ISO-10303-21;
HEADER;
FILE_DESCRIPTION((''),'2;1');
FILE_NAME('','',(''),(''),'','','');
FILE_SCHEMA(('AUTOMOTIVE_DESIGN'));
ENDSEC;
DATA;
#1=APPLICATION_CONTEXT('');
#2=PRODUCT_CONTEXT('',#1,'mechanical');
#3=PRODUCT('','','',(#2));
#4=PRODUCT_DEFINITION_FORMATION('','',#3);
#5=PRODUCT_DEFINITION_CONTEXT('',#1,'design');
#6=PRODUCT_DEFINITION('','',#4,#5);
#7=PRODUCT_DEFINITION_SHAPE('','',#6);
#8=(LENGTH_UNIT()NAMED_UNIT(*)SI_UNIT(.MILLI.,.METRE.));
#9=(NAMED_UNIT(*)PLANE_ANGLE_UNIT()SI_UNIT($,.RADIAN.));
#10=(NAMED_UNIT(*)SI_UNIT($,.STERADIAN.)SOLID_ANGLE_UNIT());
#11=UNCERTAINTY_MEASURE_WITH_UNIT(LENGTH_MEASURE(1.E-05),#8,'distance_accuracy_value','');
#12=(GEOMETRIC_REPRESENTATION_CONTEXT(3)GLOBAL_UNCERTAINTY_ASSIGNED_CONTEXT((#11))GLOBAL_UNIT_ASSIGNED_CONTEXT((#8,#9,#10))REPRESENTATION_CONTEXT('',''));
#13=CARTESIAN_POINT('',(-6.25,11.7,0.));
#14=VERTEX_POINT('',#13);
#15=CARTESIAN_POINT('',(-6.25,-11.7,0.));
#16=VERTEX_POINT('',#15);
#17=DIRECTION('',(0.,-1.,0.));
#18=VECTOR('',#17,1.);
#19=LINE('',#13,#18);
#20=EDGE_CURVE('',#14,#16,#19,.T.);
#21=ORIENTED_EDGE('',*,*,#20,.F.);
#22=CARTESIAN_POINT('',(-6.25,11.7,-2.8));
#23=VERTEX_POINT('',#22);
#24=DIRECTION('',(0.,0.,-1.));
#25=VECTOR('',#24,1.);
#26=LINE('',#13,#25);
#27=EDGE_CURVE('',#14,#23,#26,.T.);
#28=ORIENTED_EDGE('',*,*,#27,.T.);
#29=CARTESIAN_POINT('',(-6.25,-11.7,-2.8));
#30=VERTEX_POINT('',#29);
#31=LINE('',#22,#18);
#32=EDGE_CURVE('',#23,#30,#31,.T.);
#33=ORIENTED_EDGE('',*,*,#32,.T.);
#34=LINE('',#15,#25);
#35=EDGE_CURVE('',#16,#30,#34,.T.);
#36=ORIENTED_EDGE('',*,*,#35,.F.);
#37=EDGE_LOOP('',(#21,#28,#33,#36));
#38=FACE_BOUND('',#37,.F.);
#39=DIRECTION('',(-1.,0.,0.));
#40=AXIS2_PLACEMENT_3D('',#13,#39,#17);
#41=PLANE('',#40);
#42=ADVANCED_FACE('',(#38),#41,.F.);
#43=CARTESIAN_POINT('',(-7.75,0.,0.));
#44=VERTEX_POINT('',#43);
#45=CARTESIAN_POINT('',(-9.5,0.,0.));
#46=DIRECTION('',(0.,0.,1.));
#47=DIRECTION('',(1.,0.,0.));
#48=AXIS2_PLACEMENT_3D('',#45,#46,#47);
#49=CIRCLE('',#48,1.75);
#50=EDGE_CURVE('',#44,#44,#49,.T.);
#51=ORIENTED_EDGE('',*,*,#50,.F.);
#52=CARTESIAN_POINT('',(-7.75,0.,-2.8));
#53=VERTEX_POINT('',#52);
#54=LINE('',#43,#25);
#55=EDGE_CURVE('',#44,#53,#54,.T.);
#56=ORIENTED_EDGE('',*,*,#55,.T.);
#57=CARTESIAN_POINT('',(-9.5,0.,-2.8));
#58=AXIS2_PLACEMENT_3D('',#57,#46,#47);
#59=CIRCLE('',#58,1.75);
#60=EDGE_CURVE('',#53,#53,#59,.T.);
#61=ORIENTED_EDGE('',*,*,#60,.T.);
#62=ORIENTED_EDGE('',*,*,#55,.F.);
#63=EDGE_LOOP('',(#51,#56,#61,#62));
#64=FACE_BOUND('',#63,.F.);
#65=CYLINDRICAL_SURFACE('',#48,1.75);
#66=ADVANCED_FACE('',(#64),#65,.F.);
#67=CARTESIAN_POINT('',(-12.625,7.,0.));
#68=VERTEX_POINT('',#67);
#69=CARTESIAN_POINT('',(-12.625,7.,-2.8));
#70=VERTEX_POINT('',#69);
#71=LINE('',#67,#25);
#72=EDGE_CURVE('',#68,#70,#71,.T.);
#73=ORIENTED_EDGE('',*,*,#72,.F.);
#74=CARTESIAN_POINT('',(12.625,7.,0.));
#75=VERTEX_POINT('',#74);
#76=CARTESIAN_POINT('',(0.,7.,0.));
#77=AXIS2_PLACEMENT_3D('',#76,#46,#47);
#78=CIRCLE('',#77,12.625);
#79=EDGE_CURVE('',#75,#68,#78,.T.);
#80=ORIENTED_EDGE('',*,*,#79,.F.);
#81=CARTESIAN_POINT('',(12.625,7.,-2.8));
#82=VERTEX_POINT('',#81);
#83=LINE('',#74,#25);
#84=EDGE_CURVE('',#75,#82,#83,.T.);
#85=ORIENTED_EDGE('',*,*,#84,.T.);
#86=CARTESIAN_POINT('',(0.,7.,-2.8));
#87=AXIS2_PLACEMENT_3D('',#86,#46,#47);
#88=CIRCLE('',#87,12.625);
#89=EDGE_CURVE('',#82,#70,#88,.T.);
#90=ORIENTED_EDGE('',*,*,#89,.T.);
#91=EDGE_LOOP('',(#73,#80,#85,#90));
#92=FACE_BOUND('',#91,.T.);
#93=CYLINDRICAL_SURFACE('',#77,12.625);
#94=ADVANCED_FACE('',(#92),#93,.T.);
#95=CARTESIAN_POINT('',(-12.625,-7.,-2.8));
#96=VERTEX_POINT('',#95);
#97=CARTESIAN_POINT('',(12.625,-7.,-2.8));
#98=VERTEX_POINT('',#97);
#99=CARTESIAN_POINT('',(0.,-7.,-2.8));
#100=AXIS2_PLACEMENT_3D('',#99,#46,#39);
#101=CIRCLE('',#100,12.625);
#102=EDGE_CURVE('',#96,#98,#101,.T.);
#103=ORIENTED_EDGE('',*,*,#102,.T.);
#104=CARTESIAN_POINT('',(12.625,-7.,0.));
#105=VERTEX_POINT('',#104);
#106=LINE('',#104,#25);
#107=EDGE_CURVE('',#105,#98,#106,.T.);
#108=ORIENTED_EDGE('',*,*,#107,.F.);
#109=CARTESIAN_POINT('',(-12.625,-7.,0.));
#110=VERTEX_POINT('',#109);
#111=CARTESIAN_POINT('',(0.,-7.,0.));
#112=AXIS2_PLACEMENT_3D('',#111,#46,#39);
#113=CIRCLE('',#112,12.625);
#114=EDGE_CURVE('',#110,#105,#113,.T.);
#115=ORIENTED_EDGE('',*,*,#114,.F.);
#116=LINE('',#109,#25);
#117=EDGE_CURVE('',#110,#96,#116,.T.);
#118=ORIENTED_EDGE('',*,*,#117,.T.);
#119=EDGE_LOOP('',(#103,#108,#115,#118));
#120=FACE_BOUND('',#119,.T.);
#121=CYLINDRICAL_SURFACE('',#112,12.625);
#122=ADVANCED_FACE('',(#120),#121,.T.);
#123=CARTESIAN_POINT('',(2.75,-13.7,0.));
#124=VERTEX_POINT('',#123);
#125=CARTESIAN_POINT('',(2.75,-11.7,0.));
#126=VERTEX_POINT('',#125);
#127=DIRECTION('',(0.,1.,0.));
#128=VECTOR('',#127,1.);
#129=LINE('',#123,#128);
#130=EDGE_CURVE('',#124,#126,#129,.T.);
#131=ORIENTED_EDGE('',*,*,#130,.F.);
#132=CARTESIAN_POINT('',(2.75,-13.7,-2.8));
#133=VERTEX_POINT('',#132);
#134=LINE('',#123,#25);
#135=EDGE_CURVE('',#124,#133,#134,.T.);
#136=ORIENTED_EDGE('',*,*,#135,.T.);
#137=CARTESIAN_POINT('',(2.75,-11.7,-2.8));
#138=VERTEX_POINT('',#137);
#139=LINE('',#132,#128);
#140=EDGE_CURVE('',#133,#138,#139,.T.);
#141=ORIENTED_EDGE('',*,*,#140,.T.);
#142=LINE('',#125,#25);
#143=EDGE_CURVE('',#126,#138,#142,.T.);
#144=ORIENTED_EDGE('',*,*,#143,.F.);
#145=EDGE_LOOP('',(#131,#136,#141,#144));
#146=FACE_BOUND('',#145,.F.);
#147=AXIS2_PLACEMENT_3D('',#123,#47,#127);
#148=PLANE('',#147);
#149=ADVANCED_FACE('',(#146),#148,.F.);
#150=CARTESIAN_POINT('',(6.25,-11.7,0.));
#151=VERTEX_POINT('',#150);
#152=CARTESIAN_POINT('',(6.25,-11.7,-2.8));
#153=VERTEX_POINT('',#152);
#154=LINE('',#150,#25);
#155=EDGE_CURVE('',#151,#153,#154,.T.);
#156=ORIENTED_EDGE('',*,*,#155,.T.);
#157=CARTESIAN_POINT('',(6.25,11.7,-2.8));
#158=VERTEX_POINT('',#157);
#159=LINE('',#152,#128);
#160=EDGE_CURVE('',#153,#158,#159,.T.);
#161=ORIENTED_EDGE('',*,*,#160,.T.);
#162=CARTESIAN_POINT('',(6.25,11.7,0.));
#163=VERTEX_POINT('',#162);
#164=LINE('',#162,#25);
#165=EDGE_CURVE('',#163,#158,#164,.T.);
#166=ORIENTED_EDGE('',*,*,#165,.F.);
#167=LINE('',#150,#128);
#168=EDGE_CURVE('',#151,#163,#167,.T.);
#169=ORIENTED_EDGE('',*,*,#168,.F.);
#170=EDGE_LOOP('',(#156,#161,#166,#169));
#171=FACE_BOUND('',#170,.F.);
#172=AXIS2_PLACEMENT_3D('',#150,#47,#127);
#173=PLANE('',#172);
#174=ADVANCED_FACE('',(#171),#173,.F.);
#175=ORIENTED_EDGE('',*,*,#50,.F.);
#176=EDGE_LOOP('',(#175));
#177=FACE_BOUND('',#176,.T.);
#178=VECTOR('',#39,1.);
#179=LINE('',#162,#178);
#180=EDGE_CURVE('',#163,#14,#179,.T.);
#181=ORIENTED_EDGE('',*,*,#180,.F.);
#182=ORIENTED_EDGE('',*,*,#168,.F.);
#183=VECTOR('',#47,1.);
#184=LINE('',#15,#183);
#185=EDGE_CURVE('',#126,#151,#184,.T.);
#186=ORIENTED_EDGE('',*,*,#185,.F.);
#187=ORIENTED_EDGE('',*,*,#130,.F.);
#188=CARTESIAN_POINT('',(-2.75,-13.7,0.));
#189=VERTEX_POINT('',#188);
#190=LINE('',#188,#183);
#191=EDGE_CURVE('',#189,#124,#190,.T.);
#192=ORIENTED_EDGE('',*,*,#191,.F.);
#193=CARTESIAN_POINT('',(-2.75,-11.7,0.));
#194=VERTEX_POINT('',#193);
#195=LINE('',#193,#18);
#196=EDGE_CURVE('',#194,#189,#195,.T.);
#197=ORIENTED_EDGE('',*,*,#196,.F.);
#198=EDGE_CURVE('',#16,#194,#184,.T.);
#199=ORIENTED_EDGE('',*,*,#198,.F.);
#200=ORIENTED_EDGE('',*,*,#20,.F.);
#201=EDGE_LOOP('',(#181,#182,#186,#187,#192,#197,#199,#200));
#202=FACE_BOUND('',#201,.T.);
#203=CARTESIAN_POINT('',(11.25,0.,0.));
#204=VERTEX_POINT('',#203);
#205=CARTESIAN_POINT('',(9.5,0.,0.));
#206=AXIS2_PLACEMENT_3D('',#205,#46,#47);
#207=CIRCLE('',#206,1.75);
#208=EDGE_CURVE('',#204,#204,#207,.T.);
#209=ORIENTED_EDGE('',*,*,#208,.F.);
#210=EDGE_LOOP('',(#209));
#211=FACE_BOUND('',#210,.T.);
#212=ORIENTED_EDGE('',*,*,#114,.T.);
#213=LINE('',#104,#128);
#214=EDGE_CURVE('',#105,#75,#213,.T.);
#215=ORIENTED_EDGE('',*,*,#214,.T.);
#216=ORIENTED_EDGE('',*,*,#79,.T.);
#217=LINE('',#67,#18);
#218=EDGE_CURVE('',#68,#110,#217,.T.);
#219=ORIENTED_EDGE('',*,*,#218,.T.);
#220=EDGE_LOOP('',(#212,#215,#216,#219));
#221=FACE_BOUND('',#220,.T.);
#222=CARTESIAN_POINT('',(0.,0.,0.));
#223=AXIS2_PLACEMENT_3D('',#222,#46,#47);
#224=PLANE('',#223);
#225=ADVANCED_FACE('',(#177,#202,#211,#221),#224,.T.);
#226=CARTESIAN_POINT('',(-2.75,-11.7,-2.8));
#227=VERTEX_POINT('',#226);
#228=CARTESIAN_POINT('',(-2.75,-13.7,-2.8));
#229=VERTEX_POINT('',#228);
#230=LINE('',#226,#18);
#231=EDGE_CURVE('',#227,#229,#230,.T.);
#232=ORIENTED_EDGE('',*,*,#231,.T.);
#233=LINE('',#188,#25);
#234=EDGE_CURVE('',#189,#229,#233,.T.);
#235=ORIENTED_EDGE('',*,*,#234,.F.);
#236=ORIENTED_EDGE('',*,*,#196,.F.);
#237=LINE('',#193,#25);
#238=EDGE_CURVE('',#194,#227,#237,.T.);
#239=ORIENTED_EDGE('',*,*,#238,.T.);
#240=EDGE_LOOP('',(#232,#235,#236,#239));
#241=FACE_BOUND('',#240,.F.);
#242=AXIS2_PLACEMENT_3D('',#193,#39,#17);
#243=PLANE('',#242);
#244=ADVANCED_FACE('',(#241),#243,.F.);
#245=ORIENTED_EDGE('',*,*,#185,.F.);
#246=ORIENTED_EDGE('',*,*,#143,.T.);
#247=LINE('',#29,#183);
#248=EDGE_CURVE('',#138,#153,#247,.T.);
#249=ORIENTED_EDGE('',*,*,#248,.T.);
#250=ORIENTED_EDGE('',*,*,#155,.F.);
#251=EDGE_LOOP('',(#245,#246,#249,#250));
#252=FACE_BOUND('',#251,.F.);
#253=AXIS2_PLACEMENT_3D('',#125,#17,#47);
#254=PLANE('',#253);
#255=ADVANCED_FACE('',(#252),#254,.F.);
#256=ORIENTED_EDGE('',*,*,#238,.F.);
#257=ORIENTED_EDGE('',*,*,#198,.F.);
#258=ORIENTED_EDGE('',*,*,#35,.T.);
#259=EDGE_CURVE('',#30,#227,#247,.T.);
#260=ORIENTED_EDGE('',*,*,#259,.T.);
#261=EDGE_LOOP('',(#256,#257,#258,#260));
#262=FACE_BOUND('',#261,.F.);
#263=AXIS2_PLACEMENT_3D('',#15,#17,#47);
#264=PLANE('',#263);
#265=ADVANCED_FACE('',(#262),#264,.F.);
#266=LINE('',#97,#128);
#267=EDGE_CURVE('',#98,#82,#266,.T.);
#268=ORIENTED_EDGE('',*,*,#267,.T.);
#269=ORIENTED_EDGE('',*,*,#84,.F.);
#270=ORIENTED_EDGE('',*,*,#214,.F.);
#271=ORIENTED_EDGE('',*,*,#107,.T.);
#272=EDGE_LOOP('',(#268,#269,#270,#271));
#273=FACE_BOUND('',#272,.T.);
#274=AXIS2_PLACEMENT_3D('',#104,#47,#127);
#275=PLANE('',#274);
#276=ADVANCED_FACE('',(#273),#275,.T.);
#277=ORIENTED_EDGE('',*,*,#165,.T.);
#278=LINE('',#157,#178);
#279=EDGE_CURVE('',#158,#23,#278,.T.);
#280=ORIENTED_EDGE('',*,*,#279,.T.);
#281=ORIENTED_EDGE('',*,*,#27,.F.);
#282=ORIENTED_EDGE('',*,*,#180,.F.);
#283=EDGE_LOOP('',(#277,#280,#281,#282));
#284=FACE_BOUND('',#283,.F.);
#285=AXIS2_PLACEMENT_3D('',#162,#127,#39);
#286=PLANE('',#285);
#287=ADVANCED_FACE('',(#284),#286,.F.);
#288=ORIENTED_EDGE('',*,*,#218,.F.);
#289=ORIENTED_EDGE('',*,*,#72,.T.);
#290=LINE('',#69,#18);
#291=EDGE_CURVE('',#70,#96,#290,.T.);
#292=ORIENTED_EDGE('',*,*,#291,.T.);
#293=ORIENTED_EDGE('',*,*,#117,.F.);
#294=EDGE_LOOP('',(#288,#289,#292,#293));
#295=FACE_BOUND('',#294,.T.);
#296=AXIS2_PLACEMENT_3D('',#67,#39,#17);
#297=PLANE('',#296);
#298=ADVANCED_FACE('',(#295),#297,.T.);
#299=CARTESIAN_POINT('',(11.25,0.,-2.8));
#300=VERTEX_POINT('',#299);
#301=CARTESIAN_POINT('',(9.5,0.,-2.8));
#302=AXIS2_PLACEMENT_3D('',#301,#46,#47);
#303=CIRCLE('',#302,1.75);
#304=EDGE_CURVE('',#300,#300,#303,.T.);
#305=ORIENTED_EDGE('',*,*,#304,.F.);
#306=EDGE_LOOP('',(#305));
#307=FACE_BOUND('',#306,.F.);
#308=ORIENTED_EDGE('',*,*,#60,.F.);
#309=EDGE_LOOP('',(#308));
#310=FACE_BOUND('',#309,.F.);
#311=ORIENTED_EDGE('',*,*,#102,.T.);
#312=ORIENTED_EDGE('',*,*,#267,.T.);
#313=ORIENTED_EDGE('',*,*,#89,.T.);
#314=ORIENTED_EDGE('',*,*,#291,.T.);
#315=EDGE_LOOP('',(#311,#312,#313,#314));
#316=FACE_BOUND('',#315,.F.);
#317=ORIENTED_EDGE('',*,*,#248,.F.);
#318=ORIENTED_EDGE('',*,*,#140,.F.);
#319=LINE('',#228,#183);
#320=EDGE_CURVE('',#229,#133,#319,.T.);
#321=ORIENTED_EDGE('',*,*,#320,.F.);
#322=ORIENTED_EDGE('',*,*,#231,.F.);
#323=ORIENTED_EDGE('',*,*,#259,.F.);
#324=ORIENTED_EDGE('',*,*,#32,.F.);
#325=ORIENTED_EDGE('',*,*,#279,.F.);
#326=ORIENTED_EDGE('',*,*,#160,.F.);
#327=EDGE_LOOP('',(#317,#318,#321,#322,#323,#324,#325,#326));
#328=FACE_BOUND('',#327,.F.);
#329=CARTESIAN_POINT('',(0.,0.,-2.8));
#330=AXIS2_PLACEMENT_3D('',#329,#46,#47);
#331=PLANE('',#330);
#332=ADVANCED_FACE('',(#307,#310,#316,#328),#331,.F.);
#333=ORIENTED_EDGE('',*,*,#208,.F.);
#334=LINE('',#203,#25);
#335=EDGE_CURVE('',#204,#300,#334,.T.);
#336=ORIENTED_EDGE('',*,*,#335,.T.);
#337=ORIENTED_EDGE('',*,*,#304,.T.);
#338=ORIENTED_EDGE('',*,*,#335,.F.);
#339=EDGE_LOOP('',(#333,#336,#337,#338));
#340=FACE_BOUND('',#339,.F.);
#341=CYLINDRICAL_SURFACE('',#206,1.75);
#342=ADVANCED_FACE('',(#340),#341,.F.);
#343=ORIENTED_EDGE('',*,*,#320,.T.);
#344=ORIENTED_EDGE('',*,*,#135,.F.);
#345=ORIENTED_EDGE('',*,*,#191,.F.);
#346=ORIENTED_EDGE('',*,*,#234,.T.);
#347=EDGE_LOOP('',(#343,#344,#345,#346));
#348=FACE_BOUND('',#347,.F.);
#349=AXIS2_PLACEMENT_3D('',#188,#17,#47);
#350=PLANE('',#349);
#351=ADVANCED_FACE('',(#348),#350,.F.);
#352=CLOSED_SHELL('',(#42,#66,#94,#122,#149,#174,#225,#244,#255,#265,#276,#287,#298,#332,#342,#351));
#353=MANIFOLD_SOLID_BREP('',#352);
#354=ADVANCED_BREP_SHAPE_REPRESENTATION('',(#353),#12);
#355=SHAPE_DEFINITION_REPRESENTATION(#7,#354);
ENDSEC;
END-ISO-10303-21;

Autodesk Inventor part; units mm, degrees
ref_plane "YZ Plane" through (0, 0, 0) normal (1, 0, 0) x (0, 1, 0)
ref_plane "XZ Plane" through (0, 0, 0) normal (0, 1, 0) x (-1, 0, 0)
ref_plane "XY Plane" through (0, 0, 0) normal (0, 0, 1) x (1, 0, 0)
sketch "Sketch1" plane through (0, 0, 0) normal (0, 0, 1) x (1, 0, 0)
  line L0 (0, -7) -> (0, 7) construction
  line L1 (12.625, -7) -> (12.625, 7)
  line L2 (-12.625, 7) -> (-12.625, -7)
  arc A0 (-12.625, -7) -> (12.625, -7) centre (0, -7) ccw
  arc A1 (12.625, 7) -> (-12.625, 7) centre (0, 7) ccw
  circle A2 centre (0, 0) radius 9.5 construction
  circle A3 centre (-9.5, 0) radius 1.75
  circle A4 centre (9.5, 0) radius 1.75
  line L3 (-6.25, -11.7) -> (6.25, -11.7)
  line L4 (6.25, -11.7) -> (6.25, 11.7)
  line L5 (6.25, 11.7) -> (-6.25, 11.7)
  line L6 (-6.25, 11.7) -> (-6.25, -11.7)
  line L7 (-6.25, -11.7) -> (6.25, 11.7) construction
  line L8 (6.25, -11.7) -> (-6.25, 11.7) construction
  line L9 (-2.75, -13.7) -> (2.75, -13.7)
  line L10 (2.75, -13.7) -> (2.75, -11.7)
  line L11 (2.75, -11.7) -> (-2.75, -11.7)
  line L12 (-2.75, -11.7) -> (-2.75, -13.7)
  point P0 (0, -11.7)
  dimension "d2" = 14
  dimension "d3" = 12.625
  dimension "d4" = 19
  dimension "d5" = 3.5
  dimension "d6" = 12.5
  dimension "d7" = 23.4
  dimension "d8" = 5.5
  dimension "d9" = 2
extrude "Extrusion1" add sketch "Sketch1" against normal blind 2.8
properties material "LCP Plastic"
